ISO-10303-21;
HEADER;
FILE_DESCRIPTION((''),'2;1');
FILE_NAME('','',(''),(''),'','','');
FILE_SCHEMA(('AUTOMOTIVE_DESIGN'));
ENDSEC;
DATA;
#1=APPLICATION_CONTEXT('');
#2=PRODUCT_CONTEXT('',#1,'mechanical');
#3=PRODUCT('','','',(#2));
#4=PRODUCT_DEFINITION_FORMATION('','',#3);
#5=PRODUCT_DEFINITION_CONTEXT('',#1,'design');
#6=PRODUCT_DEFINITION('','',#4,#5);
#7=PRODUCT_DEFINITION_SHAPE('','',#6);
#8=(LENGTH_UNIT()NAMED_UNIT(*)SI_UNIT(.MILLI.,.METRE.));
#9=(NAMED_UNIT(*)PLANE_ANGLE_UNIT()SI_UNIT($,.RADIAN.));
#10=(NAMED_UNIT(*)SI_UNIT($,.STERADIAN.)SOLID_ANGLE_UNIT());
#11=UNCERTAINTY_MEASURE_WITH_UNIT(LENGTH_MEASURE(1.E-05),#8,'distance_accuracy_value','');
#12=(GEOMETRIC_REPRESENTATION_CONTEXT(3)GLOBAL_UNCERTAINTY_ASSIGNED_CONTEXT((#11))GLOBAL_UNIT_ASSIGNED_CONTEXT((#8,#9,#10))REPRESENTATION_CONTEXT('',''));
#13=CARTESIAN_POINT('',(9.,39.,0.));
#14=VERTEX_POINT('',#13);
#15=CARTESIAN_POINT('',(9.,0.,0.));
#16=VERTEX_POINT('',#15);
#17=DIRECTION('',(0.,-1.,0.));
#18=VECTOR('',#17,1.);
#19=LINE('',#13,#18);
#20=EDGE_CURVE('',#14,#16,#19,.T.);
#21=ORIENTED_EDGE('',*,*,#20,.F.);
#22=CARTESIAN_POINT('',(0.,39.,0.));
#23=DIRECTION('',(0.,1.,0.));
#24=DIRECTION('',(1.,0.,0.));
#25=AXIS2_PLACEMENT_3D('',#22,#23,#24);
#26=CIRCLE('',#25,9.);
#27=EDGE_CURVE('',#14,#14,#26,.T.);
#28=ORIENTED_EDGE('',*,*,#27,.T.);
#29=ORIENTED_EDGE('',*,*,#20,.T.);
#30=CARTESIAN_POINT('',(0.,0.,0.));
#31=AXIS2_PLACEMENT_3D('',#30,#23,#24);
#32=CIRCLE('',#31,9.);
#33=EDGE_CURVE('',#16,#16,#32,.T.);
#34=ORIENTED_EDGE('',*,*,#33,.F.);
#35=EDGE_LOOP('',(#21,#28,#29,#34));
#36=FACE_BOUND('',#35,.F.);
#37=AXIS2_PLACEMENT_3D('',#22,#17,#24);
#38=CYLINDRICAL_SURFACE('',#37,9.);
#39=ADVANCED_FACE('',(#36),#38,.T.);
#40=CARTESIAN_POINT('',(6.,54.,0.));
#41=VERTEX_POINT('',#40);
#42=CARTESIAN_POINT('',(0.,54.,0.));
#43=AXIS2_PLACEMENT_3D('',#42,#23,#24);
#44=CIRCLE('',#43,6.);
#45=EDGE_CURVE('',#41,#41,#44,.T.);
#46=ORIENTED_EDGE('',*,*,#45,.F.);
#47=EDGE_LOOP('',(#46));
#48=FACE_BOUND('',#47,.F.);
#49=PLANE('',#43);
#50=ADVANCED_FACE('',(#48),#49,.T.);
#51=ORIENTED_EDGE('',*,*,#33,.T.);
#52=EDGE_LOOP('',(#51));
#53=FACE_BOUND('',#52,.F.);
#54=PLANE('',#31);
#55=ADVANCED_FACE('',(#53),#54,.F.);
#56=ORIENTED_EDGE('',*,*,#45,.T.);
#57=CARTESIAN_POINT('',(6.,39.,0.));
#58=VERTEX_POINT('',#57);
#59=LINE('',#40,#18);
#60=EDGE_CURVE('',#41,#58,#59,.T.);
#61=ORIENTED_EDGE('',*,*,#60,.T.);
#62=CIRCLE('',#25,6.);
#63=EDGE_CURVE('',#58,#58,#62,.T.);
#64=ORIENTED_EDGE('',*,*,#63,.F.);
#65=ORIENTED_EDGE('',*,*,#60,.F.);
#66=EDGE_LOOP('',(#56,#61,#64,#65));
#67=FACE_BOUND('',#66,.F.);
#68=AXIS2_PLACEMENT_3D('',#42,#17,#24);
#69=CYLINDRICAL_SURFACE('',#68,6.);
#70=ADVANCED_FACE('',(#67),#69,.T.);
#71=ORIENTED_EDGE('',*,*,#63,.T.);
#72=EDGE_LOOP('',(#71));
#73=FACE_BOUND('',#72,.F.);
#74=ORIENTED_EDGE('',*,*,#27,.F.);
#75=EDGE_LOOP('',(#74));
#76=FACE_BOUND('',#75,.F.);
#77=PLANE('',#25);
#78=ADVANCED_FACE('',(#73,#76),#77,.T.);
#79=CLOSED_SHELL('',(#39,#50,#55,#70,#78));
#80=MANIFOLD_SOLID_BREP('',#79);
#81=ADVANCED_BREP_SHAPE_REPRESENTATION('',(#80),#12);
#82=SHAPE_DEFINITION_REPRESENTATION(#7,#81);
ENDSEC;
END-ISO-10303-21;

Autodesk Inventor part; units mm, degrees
ref_plane "YZ Plane" through (0, 0, 0) normal (1, 0, 0) x (0, 1, 0)
ref_plane "XZ Plane" through (0, 0, 0) normal (0, 1, 0) x (-1, 0, 0)
ref_plane "XY Plane" through (0, 0, 0) normal (0, 0, 1) x (1, 0, 0)
sketch "Skizze1" plane through (0, 0, 0) normal (0, 0, 1) x (1, 0, 0)
  line L0 (0, 0) -> (0, 54)
  line L1 (0, 54) -> (6, 54)
  line L2 (6, 54) -> (6, 39)
  line L3 (6, 39) -> (9, 39)
  line L4 (9, 39) -> (9, 0)
  line L5 (9, 0) -> (0, 0)
  point P0 (4.5, 0)
  dimension "d0" = 54
  dimension "d1" = 18
  dimension "d2" = 39
  dimension "d4" = 12
revolve "Umdrehung1" add sketch "Skizze1" angle 360 about axis through (0, 0, 0) along (0, 1, 0)
properties part number "102 part 3" material "Eisen, Guss"
